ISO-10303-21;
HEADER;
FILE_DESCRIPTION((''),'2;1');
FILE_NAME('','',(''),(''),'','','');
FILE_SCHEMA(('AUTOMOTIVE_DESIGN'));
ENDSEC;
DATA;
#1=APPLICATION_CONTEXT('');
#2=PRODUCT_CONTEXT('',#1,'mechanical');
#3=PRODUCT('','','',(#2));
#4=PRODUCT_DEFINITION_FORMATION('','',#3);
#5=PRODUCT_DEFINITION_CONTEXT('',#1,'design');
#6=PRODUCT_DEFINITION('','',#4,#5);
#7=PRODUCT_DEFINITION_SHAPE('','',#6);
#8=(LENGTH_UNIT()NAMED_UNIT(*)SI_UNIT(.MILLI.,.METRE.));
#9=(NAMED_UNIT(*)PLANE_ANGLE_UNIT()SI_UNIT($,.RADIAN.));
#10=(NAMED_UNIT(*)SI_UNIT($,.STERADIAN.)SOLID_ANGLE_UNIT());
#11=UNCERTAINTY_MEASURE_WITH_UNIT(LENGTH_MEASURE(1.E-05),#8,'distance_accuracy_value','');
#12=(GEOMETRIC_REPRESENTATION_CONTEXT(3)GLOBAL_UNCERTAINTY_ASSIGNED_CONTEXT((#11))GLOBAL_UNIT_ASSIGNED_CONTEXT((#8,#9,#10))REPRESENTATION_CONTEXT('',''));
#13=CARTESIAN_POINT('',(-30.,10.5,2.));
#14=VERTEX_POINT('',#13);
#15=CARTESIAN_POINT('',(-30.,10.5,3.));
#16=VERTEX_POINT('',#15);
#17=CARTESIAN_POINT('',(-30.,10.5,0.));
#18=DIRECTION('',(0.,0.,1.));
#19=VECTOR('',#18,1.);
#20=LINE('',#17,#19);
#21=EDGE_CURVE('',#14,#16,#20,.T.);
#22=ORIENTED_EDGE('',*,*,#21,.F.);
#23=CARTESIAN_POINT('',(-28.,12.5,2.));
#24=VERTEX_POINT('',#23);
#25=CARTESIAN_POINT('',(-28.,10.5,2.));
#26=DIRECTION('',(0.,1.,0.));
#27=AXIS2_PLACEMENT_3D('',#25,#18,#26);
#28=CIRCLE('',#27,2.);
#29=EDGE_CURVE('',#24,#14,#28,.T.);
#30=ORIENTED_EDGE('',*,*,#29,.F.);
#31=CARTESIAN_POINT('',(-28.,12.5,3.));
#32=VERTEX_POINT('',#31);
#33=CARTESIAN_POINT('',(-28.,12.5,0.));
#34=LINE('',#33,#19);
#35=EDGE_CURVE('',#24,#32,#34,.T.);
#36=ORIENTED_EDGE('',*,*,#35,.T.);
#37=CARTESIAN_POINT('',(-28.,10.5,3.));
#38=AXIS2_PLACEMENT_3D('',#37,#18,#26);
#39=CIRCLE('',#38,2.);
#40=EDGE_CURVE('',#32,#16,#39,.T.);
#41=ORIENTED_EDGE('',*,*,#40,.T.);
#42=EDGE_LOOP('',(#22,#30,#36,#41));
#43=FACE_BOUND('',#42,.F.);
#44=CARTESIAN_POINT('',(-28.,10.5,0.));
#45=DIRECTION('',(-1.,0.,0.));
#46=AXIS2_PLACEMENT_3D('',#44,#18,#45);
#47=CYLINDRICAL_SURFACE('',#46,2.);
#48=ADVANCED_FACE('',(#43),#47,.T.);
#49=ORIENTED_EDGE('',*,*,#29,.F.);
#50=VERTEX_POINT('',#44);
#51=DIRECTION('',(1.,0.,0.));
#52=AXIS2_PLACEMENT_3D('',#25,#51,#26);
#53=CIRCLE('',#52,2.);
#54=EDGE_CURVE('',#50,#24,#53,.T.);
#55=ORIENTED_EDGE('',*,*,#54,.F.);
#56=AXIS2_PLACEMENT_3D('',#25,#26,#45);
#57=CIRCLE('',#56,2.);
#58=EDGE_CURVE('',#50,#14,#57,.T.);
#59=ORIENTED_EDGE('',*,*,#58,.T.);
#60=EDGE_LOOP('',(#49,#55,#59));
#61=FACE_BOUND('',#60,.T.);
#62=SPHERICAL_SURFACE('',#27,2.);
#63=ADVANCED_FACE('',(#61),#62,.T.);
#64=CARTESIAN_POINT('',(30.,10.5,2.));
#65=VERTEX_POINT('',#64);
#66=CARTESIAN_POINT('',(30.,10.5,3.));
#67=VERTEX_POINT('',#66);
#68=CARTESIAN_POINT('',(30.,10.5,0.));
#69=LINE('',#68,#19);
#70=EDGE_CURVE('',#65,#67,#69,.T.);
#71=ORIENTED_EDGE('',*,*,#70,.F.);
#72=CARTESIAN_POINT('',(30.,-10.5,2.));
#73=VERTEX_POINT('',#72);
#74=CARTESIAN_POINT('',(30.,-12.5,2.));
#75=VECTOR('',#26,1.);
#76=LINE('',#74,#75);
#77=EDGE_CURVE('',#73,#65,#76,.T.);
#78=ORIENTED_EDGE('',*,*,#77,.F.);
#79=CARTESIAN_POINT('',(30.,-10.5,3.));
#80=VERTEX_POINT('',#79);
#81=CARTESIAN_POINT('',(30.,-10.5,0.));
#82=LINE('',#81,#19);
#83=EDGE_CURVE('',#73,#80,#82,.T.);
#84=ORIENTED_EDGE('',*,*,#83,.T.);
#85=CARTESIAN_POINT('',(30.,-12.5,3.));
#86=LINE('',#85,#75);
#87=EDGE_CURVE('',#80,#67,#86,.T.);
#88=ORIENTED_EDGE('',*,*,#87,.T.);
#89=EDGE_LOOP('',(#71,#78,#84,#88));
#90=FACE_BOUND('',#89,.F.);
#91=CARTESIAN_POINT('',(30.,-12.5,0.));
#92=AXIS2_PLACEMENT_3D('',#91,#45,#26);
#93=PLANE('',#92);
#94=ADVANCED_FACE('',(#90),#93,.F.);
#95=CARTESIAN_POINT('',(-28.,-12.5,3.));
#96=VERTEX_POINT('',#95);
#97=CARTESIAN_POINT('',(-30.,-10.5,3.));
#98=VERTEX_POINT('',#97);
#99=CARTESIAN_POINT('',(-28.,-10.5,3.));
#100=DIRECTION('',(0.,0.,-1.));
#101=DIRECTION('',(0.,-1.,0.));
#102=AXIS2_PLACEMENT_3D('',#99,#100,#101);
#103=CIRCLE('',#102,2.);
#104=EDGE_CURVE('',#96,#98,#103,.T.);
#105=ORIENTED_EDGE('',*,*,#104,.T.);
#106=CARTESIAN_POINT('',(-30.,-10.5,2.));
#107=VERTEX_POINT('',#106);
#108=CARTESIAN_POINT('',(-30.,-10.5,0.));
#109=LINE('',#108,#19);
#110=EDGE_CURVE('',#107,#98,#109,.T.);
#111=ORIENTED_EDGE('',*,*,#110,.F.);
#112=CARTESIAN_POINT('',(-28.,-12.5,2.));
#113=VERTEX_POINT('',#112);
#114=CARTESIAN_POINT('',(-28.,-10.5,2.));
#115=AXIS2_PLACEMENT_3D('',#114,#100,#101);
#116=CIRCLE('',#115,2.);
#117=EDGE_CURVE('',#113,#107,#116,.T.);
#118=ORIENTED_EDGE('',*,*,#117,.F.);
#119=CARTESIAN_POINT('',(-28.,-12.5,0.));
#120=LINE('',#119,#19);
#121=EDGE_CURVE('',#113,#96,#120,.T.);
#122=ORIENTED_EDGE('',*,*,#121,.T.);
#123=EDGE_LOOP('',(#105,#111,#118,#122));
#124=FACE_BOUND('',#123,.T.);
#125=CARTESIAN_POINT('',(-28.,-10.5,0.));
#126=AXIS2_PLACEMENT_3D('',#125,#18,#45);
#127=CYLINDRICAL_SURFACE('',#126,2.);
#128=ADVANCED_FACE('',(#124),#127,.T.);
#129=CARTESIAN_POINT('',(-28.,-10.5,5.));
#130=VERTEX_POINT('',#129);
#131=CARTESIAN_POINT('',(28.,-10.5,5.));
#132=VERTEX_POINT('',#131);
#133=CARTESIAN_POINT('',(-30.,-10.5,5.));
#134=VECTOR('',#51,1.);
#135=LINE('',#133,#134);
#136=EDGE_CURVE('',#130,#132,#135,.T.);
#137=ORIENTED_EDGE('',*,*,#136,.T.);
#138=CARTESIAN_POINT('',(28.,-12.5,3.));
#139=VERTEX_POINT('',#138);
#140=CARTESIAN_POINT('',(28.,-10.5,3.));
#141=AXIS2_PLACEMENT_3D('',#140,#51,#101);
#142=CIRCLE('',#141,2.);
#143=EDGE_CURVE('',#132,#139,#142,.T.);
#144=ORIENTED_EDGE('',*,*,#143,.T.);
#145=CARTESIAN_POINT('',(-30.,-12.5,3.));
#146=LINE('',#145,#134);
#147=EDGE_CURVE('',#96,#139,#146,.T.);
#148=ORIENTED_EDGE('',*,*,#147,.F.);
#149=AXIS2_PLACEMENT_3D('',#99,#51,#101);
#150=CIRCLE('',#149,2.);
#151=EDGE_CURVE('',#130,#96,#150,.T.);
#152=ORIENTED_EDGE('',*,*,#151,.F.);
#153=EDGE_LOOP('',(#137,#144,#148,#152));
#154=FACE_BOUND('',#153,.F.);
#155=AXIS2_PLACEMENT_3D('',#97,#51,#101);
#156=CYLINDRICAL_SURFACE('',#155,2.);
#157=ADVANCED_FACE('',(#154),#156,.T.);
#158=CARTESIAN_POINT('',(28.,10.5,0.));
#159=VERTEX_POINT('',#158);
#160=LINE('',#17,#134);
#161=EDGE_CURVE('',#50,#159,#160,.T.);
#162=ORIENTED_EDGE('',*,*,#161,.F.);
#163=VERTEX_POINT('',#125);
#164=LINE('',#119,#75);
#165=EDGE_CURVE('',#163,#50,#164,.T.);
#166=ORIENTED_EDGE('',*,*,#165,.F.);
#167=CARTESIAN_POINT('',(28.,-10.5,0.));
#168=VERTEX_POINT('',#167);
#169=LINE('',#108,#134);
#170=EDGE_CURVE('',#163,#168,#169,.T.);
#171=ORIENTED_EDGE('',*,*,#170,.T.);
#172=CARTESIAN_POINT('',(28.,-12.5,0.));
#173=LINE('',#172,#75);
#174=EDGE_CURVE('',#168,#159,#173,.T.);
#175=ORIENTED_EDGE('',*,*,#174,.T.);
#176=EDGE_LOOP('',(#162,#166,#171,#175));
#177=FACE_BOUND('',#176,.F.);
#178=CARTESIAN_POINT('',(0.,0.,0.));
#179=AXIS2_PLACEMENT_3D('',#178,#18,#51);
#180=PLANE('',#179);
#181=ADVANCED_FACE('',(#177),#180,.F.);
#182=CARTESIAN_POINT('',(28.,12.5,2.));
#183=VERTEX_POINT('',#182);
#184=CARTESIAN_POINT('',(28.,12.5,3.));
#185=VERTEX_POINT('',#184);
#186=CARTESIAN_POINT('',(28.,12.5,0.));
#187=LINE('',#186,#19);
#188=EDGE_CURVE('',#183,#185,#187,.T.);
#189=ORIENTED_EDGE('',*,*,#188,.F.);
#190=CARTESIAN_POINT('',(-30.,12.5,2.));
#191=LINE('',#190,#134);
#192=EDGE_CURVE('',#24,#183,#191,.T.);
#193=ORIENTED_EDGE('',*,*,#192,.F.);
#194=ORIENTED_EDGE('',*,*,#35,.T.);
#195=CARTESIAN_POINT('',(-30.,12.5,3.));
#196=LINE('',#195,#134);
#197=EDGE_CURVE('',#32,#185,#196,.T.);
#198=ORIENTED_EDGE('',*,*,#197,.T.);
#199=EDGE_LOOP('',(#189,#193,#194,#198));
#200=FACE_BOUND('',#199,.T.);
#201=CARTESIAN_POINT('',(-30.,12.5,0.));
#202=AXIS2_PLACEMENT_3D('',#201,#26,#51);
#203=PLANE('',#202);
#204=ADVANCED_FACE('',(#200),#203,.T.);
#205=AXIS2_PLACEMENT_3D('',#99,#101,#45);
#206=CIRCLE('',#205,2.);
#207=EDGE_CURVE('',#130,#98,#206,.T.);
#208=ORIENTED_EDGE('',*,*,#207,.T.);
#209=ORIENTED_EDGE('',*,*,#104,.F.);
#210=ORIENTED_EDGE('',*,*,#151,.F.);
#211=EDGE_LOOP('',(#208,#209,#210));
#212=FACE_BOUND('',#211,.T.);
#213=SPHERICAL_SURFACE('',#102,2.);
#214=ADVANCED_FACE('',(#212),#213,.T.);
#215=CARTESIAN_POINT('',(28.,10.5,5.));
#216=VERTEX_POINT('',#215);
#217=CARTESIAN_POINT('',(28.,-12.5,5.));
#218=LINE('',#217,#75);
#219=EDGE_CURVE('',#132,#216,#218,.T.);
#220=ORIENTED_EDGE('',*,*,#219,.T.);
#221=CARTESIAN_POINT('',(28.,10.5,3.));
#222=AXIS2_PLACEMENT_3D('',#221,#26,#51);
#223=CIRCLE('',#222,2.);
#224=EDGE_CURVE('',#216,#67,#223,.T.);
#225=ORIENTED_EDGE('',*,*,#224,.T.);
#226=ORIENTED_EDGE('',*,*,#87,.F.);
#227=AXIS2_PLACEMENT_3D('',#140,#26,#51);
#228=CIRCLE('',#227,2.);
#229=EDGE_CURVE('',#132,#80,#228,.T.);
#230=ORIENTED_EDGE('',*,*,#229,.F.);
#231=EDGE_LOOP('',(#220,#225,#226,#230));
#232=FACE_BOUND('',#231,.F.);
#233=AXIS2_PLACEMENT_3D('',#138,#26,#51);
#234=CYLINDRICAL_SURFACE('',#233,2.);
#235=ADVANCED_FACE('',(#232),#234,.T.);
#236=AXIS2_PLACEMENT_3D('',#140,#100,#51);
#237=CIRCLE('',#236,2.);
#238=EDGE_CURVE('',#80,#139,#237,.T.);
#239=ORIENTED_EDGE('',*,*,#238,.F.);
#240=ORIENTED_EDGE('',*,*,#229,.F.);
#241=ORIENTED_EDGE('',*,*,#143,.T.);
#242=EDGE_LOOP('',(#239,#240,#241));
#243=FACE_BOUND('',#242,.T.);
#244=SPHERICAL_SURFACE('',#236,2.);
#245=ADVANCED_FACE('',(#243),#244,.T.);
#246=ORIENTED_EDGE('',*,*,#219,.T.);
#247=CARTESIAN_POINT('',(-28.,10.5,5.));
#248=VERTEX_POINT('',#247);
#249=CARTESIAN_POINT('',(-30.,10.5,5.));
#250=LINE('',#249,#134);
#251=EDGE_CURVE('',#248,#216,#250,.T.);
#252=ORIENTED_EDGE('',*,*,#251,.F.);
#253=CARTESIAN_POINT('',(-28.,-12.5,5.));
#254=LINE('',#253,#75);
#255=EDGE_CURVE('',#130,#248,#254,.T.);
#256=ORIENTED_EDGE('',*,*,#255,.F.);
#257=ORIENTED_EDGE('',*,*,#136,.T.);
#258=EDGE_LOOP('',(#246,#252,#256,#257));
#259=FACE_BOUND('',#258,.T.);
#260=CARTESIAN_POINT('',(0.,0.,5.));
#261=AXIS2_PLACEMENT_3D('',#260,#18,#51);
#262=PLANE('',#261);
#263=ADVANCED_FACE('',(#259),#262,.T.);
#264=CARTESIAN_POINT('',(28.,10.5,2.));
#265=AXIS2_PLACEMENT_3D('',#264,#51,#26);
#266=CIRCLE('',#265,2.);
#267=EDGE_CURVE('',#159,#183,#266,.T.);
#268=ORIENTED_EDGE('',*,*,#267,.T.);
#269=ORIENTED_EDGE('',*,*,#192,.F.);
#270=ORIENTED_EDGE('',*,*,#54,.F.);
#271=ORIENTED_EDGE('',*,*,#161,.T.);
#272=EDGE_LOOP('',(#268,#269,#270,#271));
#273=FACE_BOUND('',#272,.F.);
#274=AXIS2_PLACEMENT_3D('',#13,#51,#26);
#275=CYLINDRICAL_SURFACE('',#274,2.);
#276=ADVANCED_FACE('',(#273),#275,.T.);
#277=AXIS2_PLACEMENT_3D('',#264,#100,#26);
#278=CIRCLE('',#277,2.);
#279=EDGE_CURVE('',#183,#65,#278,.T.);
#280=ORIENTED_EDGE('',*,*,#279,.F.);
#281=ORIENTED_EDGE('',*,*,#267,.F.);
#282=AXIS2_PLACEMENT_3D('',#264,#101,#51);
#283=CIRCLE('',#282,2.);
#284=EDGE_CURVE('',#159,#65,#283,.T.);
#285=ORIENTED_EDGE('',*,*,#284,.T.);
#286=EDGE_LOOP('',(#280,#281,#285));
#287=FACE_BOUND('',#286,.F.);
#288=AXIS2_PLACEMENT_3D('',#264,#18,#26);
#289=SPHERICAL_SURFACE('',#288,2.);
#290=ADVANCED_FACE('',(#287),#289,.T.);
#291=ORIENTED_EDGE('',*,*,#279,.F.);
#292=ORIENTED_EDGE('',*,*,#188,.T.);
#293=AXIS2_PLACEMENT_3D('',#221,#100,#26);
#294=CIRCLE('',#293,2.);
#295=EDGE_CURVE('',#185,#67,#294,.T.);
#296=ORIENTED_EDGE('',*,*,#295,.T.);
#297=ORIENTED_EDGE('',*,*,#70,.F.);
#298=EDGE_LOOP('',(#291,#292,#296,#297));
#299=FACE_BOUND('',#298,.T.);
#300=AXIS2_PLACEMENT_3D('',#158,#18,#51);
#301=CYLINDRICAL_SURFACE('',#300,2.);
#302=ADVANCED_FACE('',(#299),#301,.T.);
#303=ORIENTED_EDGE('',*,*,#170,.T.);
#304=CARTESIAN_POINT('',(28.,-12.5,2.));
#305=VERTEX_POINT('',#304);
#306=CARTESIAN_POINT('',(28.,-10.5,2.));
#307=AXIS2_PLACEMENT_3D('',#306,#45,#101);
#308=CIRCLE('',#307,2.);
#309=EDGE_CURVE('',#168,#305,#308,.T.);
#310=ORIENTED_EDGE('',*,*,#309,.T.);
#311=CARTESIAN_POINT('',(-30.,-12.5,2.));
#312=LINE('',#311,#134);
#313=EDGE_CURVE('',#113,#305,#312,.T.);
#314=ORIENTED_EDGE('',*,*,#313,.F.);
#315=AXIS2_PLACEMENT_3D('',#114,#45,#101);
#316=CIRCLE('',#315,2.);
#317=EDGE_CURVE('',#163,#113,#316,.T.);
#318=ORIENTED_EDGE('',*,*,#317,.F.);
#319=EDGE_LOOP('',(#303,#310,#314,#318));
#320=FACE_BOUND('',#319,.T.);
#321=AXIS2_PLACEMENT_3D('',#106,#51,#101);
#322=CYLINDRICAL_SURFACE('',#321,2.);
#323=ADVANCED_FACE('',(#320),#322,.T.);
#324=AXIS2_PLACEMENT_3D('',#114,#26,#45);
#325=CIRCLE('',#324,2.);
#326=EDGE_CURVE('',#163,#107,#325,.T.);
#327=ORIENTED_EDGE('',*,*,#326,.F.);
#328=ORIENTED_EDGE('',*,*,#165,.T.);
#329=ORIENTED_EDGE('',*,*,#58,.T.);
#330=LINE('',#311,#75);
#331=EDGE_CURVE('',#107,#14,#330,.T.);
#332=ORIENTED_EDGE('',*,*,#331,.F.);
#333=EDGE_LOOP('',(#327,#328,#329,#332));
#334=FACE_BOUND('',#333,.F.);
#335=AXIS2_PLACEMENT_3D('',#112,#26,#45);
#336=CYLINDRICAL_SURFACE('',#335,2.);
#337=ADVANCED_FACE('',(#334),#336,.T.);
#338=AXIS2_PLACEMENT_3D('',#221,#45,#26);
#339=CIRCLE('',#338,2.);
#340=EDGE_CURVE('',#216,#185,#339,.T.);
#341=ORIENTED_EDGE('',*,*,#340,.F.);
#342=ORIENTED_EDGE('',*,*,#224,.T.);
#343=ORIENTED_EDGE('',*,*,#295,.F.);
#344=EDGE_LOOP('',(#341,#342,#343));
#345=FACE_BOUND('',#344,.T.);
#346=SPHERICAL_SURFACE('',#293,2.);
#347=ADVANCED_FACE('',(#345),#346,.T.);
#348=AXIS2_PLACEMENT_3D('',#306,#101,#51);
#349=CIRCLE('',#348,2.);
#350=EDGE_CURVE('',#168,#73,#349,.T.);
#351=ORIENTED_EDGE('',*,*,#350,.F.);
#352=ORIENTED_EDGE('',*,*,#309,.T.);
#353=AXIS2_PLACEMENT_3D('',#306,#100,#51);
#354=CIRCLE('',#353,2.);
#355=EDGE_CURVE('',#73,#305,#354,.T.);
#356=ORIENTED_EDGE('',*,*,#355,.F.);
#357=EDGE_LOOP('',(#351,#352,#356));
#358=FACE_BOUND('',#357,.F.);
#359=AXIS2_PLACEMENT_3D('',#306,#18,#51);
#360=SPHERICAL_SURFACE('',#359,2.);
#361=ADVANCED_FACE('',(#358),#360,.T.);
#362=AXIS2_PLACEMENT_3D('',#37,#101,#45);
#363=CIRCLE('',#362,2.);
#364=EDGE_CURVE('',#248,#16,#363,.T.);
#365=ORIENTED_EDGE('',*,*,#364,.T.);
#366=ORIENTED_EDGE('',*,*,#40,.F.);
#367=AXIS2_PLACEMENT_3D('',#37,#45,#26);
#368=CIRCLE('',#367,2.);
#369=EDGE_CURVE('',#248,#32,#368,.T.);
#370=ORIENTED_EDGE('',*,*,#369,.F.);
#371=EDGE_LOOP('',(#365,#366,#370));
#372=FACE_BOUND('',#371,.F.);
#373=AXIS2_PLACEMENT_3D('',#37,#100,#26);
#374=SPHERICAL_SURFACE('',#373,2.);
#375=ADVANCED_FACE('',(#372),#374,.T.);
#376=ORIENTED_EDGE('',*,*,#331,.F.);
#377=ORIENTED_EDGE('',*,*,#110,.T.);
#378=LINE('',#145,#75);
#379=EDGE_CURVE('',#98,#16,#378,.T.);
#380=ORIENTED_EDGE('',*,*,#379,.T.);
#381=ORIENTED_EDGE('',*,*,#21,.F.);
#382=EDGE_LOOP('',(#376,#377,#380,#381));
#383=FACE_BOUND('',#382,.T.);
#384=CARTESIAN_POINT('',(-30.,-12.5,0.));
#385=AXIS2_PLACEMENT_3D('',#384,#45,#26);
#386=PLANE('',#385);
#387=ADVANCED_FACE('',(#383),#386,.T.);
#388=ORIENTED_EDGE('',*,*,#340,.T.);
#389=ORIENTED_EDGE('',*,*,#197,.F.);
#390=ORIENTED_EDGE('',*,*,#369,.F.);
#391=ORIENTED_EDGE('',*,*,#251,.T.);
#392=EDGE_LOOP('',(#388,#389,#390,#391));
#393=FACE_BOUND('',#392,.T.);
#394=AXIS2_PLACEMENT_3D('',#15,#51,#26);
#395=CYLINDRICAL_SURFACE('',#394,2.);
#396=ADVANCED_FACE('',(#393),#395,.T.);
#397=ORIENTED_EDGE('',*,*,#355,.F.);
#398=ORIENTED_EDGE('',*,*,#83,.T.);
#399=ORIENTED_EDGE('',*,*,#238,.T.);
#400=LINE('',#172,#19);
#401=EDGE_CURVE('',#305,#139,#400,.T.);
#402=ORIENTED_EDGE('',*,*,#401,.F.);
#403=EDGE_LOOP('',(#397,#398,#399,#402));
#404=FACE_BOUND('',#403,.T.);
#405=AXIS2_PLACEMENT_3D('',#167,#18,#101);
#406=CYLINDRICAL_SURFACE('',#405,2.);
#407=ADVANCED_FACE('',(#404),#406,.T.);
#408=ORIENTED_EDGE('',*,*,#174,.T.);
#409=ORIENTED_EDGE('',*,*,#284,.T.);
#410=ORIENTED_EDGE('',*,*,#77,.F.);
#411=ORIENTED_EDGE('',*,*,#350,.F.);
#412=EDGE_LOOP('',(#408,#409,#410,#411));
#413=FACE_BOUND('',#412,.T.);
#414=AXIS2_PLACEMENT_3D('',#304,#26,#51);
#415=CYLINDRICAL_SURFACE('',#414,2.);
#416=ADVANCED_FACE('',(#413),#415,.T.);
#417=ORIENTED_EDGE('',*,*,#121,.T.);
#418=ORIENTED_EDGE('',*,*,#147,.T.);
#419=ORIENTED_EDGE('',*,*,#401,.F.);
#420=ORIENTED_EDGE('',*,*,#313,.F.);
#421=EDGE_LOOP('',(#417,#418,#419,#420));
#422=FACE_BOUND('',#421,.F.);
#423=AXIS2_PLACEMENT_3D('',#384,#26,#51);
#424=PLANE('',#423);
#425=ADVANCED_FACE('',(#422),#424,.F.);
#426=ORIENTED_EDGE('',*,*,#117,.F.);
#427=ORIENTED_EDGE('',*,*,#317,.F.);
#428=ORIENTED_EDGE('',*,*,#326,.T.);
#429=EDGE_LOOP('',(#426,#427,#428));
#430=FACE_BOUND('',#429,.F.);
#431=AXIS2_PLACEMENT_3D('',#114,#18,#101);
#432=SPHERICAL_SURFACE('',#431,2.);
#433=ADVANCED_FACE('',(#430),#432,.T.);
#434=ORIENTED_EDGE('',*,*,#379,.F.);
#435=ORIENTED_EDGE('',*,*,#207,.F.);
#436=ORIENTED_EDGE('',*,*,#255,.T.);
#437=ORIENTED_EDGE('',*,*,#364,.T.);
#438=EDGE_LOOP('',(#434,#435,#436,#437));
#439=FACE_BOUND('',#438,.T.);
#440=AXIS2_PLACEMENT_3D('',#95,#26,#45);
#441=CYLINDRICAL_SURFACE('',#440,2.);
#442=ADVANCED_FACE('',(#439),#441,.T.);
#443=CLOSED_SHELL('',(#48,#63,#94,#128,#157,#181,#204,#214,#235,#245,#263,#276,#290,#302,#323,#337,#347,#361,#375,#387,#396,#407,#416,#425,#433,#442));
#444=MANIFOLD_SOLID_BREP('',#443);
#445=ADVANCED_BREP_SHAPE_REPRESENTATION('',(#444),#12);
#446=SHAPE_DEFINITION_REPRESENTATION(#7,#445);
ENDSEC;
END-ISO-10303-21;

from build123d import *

# Parameters (mm, degrees)
SKETCH_W  = 60
SKETCH_H  = 25
PAD_DEPTH = 5
FILLET_R  = 2


with BuildPart() as part:
    # Sketch → Pad (new body)
    with BuildSketch(Plane.XY):
        Rectangle(SKETCH_W, SKETCH_H)
    extrude(amount=PAD_DEPTH)

    # Fillet
    fillet_edges = [part.edges().sort_by_distance(p)[0] for p in [
        (-30, 12.5, 2.5),
        (30, 12.5, 2.5),
        (0, 12.5, 0),
        (0, 12.5, 5),
        (30, -12.5, 2.5),
        (30, 0, 0),
        (30, 0, 5),
        (-30, -12.5, 2.5),
        (0, -12.5, 0),
        (0, -12.5, 5),
        (-30, 0, 0),
        (-30, 0, 5),
    ]]
    fillet(fillet_edges, radius=FILLET_R)


solid = part.part
